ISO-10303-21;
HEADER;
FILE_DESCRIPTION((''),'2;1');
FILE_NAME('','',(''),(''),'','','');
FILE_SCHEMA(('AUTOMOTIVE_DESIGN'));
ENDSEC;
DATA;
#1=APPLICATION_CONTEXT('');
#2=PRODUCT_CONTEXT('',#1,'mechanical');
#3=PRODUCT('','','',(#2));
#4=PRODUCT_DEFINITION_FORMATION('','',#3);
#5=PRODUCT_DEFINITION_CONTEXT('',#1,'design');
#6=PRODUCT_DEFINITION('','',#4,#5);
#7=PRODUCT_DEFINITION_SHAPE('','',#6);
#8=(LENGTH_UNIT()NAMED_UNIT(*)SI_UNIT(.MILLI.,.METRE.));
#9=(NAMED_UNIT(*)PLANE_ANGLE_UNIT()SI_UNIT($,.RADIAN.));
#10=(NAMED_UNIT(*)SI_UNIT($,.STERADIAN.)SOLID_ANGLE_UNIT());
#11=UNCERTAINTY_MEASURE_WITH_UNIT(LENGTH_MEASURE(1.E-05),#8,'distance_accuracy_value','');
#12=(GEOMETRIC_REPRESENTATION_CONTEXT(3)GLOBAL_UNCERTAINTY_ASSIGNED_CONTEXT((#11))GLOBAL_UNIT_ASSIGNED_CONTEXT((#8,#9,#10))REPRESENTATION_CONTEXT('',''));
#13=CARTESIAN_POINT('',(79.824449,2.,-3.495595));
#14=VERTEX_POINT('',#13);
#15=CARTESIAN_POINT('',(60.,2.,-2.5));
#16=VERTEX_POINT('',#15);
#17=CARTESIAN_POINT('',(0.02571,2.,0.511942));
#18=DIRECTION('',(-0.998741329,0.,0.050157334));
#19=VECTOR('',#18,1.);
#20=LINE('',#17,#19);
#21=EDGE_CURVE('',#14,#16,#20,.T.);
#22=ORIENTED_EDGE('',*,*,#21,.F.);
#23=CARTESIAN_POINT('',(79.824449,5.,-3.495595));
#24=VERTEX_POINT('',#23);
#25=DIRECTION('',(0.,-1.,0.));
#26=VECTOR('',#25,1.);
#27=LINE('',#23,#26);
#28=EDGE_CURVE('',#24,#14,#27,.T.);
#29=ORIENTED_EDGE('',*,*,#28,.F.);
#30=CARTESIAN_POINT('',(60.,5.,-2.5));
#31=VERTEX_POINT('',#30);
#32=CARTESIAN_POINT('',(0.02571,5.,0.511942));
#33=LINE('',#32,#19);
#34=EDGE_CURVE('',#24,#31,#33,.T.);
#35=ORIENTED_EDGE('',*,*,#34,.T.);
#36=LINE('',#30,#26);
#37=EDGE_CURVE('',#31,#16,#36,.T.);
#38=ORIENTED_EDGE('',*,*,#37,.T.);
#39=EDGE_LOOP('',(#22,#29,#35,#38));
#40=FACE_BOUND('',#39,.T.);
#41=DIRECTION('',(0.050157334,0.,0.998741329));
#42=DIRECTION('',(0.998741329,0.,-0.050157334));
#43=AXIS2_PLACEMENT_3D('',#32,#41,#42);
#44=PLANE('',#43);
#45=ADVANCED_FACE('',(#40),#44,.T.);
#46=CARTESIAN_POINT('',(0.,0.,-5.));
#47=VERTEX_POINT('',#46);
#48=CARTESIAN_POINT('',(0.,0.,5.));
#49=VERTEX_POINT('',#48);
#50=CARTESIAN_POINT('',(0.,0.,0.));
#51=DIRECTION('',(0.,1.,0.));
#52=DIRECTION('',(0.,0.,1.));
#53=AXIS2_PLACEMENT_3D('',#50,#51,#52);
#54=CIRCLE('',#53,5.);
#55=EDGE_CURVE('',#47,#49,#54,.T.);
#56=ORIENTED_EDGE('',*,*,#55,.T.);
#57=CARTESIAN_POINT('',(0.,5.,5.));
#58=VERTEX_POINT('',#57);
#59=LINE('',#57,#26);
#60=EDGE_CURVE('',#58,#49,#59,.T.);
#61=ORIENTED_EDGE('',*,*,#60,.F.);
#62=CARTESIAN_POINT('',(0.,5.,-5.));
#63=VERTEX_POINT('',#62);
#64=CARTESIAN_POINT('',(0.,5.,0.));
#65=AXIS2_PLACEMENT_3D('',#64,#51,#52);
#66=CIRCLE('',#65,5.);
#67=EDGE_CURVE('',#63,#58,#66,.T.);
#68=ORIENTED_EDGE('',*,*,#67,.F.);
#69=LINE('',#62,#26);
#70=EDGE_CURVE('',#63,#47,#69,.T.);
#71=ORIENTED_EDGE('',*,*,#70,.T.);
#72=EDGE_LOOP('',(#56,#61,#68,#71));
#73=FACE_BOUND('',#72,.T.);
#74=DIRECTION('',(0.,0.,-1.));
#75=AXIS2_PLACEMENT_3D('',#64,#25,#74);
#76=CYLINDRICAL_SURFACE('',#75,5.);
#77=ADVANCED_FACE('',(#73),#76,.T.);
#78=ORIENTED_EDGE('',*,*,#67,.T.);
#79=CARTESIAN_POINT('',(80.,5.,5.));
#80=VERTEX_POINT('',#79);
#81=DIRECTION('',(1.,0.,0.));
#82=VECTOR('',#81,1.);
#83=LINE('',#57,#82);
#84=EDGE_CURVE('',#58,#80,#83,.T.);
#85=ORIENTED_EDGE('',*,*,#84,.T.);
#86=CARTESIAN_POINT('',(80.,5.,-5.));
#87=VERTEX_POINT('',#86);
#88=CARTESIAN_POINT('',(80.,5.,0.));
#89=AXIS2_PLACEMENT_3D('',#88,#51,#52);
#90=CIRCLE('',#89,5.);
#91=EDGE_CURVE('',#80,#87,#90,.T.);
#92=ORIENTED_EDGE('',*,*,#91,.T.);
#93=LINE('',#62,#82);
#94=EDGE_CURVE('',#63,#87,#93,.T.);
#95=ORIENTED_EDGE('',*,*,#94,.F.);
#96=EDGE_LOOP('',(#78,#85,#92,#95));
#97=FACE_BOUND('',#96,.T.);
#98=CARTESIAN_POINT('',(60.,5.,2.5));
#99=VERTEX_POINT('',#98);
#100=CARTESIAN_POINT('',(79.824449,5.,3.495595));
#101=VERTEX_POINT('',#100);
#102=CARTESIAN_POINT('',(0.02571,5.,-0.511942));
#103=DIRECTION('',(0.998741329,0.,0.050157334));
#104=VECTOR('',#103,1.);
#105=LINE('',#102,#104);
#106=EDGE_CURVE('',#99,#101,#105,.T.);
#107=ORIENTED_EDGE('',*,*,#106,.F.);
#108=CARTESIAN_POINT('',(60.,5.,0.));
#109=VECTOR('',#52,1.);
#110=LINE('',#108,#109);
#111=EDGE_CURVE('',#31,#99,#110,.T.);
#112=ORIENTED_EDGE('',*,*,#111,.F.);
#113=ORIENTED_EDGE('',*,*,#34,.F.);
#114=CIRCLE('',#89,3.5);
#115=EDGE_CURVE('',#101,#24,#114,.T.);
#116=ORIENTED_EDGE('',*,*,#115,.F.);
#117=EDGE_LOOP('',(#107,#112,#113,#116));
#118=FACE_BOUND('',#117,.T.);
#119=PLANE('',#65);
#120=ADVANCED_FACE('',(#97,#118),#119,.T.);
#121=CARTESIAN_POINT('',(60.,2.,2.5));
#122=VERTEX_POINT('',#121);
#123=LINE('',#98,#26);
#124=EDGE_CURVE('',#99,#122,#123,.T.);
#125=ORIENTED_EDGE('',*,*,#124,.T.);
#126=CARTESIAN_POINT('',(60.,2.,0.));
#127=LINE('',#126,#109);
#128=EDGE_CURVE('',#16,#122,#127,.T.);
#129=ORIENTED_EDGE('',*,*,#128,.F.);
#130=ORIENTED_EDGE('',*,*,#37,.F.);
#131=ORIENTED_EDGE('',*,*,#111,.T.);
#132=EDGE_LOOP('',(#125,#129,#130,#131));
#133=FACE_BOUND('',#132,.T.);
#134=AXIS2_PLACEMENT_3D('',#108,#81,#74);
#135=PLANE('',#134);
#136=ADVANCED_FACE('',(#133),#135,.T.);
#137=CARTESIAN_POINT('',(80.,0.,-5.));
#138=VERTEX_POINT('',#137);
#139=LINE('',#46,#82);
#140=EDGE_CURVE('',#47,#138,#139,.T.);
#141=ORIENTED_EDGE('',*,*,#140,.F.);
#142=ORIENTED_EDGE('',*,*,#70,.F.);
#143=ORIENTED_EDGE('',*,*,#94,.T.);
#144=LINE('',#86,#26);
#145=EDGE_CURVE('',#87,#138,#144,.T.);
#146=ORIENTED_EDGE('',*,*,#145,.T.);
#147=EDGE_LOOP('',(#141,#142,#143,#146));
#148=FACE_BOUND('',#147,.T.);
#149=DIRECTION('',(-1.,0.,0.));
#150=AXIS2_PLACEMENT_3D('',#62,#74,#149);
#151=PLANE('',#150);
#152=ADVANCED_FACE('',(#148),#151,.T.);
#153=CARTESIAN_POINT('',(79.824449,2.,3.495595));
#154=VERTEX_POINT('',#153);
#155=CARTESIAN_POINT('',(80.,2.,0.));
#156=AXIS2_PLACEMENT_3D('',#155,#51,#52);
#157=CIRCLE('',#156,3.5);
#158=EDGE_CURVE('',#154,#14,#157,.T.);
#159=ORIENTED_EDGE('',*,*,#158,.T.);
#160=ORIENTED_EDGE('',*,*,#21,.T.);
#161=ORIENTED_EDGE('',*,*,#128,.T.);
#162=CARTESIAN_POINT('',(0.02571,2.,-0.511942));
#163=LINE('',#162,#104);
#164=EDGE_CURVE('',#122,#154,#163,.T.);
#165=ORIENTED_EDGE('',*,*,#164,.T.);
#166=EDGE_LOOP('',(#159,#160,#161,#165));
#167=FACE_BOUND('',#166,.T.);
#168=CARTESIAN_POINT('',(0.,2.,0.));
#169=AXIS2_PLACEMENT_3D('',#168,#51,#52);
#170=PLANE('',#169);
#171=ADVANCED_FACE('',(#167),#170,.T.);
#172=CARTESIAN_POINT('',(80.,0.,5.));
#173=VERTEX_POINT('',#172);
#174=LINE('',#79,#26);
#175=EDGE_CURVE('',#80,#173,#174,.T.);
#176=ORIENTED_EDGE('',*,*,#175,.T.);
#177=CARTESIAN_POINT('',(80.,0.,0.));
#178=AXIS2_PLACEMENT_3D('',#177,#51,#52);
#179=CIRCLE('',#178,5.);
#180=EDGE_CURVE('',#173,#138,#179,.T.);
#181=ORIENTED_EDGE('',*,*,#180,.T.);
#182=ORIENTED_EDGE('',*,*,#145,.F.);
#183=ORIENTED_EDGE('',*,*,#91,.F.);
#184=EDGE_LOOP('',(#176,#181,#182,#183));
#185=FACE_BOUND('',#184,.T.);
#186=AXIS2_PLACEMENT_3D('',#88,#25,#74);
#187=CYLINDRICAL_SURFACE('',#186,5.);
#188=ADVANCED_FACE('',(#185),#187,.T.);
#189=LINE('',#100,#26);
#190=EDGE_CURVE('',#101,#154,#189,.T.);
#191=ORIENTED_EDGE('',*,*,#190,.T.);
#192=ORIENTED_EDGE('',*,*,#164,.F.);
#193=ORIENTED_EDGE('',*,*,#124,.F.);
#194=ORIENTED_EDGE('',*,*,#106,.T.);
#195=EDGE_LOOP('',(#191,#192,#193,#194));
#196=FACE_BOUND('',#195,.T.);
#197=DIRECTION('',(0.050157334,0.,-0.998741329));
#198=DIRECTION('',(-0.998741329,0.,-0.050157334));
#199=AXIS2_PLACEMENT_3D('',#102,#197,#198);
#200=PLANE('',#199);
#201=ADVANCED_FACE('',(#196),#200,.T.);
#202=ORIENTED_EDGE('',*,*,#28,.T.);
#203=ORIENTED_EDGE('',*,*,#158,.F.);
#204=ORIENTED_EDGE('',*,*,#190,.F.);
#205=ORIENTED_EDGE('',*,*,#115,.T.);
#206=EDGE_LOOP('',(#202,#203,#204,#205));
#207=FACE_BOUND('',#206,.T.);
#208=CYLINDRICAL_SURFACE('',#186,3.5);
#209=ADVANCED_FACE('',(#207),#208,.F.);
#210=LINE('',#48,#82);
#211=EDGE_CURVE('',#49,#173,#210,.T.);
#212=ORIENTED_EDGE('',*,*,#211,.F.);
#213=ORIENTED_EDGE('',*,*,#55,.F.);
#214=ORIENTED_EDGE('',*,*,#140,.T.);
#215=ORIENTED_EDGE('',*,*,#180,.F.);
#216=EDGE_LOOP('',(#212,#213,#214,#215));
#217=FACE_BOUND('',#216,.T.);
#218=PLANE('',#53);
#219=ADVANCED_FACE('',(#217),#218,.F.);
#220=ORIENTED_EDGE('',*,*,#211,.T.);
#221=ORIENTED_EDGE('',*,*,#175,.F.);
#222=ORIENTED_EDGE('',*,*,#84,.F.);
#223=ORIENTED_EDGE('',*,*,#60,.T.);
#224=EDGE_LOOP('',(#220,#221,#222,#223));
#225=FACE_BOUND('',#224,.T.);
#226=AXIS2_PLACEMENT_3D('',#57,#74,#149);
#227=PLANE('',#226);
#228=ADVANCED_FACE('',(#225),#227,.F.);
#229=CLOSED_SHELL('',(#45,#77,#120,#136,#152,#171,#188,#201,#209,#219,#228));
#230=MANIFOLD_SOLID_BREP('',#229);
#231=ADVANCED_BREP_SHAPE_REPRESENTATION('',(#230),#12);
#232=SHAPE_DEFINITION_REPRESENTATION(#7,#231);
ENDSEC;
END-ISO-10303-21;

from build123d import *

# Parameters (mm, degrees)
Y_KSEKLIK_EKSTR_ZYON1_DEPTH = 5
Y_KSEKLIK_EKSTR_ZYON2_DEPTH = 2


with BuildPart() as part:
    # Çizim1 → Yükseklik-Ekstrüzyon1 (new body)
    with BuildSketch(Plane(origin=(0, 0, 0), x_dir=(1, 0, 0), z_dir=(0, 1, 0))):
        with BuildLine():
            Line((80, 5), (0, 5))
            ThreePointArc((0, 5), (-5, 0), (0, -5))
            Line((0, -5), (80, -5))
            ThreePointArc((80, -5), (85, 0), (80, 5))
        make_face()
        with BuildLine():
            Line((60, 2.5), (79.824449331, 3.495594651))
            ThreePointArc((79.824449331, 3.495594651), (83.5, 0), (79.824449331, -3.495594651))
            Line((79.824449331, -3.495594651), (60, -2.5))
            Line((60, -2.5), (60, 2.5))
        make_face(mode=Mode.SUBTRACT)
    extrude(amount=Y_KSEKLIK_EKSTR_ZYON1_DEPTH)

    # Çizim1<4> → Yükseklik-Ekstrüzyon2 (add)
    with BuildSketch(Plane(origin=(0, 0, 0), x_dir=(1, 0, 0), z_dir=(0, 1, 0))):
        with BuildLine():
            ThreePointArc((79.824449331, -3.495594651), (83.5, 0), (79.824449331, 3.495594651))
            Line((79.824449331, 3.495594651), (60, 2.5))
            Line((60, 2.5), (60, -2.5))
            Line((60, -2.5), (79.824449331, -3.495594651))
        make_face()
    extrude(amount=Y_KSEKLIK_EKSTR_ZYON2_DEPTH)


solid = part.part
